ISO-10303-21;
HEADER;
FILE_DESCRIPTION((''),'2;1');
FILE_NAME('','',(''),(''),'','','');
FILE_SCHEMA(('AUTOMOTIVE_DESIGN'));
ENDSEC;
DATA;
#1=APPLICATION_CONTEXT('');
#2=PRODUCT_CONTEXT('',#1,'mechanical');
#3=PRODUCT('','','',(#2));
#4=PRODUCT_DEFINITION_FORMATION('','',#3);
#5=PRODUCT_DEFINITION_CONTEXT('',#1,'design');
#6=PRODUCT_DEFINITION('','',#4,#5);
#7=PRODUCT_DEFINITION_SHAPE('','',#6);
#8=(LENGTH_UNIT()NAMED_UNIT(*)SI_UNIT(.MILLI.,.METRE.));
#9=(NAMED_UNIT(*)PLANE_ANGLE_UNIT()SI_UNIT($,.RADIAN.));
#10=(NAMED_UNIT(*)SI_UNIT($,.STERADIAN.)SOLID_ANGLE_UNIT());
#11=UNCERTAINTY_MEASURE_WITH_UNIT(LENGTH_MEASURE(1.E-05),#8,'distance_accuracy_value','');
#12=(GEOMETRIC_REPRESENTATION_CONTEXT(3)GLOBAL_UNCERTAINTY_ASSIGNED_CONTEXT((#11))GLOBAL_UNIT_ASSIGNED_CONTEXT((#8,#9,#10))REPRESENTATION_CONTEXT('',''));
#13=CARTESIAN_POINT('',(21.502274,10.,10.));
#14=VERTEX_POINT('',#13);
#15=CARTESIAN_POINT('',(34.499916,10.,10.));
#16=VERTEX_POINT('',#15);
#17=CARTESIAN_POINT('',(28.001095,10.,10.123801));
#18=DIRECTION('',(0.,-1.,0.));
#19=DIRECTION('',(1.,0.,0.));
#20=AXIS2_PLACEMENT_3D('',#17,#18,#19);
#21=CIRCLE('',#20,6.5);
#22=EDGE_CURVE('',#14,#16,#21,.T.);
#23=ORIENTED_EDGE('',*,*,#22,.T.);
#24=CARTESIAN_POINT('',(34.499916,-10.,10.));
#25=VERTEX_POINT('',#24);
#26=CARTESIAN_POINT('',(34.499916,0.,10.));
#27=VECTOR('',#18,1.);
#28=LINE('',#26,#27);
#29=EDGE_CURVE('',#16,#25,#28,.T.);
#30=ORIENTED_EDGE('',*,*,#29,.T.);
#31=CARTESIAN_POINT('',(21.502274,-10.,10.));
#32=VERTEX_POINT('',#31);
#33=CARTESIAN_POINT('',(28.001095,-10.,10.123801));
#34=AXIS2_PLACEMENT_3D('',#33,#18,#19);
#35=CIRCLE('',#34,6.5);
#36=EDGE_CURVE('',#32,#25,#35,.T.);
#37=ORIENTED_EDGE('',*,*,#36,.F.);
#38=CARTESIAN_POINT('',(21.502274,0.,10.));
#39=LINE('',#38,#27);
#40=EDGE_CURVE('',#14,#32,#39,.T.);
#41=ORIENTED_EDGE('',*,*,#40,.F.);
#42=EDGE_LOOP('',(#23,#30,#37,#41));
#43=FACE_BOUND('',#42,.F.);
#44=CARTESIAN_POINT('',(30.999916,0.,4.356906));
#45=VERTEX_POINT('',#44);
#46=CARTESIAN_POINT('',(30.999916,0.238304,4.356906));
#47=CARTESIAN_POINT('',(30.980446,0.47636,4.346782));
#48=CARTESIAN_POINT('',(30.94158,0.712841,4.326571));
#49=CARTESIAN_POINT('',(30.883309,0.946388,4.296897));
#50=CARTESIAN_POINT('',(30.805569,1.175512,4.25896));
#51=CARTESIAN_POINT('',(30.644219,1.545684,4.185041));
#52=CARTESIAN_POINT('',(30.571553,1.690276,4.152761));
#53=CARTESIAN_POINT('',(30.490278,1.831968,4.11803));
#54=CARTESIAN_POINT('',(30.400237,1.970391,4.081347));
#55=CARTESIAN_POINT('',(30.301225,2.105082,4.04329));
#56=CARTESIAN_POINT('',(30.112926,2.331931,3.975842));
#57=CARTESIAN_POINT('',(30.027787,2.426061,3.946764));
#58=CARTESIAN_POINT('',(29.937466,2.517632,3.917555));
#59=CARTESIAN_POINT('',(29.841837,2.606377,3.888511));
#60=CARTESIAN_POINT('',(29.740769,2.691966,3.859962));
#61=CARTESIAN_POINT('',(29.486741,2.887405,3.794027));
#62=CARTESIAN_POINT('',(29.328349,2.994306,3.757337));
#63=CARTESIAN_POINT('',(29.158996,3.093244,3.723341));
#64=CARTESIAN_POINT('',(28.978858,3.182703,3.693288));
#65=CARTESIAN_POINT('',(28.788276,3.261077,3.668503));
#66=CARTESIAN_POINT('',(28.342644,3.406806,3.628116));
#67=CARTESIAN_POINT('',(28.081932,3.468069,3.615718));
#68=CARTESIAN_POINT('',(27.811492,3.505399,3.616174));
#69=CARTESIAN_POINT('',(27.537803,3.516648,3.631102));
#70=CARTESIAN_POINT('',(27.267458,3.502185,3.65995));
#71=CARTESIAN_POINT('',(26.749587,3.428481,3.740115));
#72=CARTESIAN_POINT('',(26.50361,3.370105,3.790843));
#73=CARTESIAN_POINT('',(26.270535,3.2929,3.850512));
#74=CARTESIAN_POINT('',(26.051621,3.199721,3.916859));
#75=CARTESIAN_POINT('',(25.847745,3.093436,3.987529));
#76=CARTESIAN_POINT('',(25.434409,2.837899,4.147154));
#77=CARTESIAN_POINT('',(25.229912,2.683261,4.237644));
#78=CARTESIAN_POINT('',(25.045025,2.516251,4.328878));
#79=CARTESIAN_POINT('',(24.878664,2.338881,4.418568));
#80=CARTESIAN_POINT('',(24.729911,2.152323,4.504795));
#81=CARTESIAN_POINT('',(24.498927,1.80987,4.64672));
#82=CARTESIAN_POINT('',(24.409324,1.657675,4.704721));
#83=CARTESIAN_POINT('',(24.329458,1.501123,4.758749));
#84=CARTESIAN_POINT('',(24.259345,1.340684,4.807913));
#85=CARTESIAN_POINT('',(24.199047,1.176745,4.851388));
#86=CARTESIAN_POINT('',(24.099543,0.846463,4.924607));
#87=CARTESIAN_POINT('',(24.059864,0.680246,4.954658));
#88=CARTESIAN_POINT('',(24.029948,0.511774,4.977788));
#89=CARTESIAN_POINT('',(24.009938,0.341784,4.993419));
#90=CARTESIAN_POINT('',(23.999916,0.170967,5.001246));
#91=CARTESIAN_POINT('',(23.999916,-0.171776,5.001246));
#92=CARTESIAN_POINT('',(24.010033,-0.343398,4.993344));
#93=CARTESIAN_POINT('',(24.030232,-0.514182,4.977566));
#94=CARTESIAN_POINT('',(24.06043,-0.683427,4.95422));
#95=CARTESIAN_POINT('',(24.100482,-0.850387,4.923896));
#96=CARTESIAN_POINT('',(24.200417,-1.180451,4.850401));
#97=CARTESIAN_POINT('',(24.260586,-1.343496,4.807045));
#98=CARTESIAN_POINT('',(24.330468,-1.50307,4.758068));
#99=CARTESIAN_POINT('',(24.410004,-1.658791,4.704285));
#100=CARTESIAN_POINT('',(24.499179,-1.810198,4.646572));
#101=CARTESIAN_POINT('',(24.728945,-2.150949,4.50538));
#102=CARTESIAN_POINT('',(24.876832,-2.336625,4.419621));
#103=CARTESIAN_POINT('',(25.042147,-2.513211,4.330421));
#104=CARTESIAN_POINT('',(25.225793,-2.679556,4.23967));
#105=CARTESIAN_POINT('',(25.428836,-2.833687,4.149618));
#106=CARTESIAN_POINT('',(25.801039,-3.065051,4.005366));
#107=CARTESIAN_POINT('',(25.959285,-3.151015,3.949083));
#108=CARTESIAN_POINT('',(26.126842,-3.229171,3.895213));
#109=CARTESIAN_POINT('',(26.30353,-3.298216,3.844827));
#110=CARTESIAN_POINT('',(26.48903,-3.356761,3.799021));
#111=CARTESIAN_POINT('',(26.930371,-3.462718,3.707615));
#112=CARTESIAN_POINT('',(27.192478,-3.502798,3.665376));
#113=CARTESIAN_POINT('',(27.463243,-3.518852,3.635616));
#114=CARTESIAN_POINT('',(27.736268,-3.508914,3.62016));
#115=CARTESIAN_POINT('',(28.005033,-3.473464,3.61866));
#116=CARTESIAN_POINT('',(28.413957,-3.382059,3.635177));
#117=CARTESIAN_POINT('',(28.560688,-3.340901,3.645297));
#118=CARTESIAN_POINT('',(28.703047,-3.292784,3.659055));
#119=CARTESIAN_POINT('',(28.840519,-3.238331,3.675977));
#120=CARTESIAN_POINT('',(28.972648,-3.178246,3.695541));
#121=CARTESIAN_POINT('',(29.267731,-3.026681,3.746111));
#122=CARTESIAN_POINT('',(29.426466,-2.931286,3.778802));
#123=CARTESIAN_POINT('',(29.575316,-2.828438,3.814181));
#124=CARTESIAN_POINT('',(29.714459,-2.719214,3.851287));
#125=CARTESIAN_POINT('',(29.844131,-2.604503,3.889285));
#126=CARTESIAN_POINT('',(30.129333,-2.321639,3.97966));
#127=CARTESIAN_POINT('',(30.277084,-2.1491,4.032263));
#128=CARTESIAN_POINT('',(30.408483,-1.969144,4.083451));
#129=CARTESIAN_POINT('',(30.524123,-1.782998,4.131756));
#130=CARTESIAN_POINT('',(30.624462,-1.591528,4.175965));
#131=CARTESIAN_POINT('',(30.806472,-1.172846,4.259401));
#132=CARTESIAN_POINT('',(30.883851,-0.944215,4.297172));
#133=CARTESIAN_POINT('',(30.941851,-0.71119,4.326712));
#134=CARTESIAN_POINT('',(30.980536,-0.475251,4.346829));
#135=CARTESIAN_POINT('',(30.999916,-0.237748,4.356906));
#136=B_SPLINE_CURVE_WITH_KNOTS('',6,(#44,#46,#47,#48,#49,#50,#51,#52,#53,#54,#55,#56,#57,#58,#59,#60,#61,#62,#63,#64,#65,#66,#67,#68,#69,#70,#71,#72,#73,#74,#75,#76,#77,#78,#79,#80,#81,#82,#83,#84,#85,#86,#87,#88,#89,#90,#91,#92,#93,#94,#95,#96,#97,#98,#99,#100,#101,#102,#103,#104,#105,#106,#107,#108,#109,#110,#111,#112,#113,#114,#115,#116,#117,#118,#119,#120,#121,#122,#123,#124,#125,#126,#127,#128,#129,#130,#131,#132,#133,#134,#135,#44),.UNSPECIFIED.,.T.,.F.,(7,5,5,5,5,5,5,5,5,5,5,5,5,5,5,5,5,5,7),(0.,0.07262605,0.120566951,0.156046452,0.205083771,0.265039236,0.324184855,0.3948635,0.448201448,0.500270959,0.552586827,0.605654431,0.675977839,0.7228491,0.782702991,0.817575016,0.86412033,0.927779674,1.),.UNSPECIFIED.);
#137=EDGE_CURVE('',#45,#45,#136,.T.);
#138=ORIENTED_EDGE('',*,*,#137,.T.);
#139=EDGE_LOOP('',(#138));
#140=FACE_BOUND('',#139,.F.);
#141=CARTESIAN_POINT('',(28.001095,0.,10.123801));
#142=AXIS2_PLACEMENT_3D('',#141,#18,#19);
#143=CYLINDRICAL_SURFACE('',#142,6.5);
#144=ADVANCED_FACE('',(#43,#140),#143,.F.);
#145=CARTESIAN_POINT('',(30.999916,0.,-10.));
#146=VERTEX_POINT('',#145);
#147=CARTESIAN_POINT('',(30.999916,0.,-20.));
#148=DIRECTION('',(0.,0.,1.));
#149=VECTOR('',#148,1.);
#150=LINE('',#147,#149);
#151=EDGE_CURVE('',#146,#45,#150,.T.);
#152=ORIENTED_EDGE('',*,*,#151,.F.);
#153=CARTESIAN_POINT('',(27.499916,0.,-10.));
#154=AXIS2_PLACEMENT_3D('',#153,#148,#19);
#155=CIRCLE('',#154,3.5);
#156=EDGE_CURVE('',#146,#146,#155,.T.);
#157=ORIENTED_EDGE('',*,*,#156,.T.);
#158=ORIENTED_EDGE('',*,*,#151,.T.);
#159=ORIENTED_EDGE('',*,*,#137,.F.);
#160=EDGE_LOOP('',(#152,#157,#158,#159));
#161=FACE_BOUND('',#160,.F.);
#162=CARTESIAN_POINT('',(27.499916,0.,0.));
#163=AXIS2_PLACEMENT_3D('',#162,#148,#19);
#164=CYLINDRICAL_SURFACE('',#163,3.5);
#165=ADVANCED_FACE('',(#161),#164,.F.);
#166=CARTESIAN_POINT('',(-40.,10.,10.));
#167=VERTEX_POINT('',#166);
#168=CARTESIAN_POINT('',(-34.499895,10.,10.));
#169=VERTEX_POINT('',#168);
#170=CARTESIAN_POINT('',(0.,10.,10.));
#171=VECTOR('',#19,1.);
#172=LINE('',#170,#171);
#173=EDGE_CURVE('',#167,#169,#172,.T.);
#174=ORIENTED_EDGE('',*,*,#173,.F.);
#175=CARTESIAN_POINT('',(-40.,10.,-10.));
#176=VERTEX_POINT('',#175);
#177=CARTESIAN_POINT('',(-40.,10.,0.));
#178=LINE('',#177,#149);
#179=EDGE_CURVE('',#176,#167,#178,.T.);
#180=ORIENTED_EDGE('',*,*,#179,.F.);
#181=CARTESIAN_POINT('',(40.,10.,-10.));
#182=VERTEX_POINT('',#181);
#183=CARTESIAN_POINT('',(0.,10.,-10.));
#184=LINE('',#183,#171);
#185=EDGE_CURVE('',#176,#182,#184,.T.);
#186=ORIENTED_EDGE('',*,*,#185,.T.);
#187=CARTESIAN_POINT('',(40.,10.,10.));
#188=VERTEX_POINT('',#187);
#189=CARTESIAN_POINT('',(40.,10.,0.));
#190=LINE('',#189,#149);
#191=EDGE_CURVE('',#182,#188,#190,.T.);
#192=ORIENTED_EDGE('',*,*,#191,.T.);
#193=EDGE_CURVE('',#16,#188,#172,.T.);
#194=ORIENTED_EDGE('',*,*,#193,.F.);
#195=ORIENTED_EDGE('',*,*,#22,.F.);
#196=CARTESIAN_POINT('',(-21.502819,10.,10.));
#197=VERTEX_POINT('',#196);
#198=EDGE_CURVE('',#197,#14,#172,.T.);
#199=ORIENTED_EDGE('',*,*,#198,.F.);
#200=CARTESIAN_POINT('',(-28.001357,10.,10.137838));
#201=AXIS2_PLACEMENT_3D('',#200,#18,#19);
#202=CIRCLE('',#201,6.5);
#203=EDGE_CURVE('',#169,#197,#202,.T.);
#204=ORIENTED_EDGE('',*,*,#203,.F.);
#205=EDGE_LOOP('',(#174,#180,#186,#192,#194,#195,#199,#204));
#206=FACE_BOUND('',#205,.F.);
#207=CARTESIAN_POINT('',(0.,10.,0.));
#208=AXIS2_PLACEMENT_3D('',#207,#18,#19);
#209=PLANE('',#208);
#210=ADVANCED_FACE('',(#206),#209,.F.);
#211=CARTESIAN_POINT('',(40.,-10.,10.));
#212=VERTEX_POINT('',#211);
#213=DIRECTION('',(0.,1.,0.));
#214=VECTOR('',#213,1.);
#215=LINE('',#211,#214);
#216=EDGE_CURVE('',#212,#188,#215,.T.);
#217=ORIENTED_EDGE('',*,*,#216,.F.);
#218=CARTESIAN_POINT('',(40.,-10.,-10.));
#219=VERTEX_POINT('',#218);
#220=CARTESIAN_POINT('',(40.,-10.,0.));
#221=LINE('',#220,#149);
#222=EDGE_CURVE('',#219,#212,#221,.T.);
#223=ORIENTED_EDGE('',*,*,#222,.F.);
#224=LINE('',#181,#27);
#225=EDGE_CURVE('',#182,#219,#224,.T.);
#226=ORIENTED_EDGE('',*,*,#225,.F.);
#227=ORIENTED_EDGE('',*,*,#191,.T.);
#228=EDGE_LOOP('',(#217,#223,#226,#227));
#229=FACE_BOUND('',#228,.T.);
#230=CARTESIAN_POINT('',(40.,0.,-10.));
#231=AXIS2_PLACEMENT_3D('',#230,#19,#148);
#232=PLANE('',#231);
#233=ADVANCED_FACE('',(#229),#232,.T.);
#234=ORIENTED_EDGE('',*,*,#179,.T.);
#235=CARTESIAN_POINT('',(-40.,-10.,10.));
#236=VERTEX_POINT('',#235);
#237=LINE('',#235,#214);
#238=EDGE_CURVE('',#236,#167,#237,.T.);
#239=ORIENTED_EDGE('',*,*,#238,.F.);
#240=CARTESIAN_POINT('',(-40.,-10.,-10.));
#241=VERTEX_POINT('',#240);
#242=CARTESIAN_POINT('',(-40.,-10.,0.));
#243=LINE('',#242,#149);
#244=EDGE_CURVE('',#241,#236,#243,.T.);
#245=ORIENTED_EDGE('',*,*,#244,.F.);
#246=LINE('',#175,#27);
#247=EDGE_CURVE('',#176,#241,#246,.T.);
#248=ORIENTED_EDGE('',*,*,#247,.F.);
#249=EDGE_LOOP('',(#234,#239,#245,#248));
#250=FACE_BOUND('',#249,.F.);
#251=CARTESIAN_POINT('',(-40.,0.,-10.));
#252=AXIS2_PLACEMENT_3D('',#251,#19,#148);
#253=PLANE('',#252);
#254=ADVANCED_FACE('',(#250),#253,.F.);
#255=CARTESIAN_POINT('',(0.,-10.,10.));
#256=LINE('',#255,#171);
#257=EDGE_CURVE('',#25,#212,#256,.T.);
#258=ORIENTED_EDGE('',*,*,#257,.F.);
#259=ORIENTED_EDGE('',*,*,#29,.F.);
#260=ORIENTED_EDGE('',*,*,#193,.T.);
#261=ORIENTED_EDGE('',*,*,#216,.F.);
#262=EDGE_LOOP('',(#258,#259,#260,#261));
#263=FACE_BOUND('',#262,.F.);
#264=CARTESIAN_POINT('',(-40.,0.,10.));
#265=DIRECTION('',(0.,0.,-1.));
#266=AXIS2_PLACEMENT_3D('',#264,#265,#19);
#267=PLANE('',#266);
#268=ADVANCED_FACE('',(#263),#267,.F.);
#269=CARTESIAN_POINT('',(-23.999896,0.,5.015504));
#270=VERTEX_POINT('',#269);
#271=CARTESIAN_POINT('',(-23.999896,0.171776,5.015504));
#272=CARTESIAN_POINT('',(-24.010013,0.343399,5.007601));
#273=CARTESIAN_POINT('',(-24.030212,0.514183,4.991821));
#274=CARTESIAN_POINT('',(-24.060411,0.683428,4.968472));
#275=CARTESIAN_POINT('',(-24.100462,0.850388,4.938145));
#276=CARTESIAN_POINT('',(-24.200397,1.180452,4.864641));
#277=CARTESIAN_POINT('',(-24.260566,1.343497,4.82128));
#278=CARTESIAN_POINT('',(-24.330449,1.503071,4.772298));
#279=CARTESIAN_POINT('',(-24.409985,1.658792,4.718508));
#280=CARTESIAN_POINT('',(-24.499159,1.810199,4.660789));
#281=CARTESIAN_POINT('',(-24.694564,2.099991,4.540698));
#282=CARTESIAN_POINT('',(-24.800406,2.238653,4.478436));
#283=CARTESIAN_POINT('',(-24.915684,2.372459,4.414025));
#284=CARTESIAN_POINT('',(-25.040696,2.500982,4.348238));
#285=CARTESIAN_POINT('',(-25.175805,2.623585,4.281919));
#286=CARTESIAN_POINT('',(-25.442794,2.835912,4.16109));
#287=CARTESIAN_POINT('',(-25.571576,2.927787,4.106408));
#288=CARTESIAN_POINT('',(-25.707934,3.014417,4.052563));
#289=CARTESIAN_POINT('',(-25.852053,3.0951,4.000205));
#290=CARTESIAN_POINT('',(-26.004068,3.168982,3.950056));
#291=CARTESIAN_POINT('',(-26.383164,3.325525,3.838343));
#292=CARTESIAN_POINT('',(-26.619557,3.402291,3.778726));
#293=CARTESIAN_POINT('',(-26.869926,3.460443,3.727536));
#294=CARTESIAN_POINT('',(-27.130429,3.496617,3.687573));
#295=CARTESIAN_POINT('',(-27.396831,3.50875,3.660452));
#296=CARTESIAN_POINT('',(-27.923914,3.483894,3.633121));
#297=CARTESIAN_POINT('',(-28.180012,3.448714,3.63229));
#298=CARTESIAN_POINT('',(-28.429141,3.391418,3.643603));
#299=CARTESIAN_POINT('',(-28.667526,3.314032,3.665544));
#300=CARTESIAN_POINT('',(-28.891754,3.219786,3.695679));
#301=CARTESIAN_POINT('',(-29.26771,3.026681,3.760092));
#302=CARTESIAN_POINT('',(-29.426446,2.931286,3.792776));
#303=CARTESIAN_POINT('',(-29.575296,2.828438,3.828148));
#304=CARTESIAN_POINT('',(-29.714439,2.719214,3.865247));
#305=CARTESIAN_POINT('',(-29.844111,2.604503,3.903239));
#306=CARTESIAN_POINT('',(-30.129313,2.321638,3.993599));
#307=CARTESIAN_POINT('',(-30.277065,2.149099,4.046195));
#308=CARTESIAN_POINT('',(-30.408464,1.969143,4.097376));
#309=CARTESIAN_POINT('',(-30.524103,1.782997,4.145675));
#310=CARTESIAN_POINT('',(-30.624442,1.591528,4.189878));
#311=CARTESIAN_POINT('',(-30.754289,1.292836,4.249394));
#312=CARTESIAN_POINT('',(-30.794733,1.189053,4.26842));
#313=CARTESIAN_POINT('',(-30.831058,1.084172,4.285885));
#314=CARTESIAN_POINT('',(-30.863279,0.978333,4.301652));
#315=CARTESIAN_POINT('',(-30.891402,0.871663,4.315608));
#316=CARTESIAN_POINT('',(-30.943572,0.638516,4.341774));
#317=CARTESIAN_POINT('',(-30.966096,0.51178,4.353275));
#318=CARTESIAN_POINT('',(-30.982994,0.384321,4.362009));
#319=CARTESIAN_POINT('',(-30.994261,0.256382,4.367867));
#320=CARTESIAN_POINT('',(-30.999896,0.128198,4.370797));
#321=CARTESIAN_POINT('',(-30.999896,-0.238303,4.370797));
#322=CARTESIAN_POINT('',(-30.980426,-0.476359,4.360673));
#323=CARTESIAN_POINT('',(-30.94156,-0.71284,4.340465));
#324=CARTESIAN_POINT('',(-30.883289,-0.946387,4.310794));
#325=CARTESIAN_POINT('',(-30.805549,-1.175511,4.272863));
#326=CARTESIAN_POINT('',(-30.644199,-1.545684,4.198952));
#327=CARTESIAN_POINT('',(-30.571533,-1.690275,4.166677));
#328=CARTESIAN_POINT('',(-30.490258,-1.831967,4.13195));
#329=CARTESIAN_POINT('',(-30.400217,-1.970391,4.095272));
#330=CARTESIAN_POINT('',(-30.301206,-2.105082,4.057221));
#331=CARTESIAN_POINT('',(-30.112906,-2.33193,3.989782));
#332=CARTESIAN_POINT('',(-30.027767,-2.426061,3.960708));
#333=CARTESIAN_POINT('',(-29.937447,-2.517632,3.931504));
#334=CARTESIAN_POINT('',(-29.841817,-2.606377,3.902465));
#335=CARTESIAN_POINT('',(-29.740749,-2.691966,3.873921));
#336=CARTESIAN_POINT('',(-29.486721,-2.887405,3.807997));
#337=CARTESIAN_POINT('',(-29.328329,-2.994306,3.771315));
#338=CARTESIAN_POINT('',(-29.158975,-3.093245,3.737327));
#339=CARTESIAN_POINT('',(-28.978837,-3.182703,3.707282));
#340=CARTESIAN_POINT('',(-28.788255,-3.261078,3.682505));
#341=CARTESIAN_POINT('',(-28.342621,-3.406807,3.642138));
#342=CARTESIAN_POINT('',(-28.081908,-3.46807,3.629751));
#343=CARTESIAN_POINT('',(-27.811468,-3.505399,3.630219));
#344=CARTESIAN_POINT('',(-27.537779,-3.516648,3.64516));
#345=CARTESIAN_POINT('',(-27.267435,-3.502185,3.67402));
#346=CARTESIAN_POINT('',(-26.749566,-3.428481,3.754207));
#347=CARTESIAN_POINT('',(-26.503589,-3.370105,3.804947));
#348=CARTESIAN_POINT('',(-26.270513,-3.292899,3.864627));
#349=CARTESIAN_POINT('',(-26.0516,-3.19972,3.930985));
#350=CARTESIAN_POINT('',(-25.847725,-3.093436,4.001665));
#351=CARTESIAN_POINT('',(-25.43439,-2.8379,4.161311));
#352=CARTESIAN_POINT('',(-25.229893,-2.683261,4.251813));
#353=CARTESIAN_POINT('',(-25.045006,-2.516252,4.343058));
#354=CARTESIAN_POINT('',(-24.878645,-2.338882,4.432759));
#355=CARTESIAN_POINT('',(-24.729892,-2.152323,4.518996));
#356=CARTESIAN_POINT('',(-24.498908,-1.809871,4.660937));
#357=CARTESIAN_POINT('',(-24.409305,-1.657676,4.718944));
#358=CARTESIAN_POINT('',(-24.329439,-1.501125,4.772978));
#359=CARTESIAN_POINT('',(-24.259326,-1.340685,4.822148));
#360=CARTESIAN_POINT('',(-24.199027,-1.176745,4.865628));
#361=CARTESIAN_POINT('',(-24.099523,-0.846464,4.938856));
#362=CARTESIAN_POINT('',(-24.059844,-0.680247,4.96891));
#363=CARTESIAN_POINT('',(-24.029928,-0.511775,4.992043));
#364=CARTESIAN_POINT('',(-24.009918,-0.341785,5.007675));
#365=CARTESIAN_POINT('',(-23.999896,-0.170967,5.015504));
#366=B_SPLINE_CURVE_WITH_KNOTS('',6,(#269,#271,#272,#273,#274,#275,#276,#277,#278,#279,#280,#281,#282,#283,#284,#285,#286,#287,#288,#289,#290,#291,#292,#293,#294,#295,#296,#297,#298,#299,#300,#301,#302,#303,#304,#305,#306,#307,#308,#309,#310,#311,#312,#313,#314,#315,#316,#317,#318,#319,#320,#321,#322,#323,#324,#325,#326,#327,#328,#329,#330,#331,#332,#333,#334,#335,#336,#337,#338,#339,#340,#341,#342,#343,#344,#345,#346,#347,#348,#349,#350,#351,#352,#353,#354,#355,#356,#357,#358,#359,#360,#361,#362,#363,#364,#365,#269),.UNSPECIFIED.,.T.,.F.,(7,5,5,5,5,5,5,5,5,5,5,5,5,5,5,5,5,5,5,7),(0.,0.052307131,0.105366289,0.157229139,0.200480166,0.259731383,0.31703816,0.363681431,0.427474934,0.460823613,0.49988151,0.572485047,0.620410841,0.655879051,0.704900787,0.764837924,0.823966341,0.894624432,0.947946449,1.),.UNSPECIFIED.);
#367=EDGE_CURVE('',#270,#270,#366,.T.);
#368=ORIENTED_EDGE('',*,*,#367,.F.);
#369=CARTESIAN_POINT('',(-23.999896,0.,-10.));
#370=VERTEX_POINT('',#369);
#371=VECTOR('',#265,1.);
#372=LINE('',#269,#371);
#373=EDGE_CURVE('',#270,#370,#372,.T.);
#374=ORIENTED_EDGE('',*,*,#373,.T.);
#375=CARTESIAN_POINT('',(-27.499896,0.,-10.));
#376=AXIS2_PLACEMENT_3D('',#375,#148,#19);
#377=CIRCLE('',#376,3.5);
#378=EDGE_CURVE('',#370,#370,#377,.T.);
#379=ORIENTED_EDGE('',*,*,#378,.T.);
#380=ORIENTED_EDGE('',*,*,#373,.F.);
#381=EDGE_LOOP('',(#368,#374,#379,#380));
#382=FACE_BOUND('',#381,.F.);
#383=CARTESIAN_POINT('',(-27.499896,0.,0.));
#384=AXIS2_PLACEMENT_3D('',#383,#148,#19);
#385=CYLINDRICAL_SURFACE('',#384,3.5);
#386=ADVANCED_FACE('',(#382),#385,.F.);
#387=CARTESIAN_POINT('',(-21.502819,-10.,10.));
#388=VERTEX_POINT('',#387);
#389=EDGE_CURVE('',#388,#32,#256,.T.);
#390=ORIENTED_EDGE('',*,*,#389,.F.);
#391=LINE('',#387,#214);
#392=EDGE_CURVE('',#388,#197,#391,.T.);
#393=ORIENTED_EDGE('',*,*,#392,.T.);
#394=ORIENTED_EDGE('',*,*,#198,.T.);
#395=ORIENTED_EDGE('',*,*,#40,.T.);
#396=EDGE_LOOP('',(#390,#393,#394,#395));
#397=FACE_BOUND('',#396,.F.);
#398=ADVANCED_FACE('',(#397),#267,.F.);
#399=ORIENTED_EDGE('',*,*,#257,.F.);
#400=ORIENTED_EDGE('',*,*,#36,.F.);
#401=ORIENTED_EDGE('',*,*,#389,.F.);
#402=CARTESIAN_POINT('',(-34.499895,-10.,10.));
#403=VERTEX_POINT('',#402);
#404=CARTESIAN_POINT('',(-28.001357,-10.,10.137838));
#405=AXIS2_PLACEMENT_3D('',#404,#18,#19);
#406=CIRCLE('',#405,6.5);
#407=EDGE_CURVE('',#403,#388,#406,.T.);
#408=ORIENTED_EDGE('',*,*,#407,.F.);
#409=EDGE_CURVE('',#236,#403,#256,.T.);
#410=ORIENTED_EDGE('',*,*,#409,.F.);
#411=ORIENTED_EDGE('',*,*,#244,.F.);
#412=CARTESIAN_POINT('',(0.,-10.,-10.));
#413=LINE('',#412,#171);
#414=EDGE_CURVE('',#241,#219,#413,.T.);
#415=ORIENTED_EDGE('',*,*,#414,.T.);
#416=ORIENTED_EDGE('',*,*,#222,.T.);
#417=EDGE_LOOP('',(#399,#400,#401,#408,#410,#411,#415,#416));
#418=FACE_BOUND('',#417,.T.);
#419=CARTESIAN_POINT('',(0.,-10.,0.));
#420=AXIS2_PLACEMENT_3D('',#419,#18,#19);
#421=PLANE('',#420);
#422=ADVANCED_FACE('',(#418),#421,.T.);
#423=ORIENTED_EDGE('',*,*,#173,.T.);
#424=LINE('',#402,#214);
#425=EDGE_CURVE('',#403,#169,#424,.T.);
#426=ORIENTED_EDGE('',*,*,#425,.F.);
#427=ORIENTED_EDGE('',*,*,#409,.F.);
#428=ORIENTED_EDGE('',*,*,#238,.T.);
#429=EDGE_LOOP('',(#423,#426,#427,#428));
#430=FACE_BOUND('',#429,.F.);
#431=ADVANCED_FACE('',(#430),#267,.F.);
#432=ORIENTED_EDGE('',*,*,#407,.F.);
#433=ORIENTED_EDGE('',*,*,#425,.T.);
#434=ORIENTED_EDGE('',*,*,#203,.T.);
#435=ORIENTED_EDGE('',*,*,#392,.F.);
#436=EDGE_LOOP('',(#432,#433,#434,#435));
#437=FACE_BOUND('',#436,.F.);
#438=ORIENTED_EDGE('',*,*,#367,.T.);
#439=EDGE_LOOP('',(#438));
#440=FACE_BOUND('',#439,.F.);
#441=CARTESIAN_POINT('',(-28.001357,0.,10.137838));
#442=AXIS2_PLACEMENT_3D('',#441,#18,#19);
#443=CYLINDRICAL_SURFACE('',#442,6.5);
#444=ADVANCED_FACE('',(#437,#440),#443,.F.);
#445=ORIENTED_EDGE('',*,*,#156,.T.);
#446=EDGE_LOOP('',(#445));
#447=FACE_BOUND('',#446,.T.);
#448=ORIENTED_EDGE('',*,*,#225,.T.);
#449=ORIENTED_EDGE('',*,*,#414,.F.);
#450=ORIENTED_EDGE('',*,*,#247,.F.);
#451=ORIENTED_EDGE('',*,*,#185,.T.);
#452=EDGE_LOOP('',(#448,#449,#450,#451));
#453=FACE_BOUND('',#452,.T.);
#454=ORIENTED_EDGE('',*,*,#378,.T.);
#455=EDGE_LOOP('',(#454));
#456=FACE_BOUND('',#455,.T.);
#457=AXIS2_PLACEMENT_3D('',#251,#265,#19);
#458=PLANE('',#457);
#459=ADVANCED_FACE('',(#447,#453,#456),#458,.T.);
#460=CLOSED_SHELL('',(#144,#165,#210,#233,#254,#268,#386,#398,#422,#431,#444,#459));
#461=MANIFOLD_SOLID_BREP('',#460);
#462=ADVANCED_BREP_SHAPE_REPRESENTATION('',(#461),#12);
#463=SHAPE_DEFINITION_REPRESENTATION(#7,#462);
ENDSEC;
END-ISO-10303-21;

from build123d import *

# Parameters (mm, degrees)
F0_W     = 80
F0_H     = 20
F2_DEPTH = 10
F1_R     = 6.5
F3_DEPTH = 10
F4_R     = 3.5
F5_DEPTH = 20


with BuildPart() as f2:
    # F0 (on Front) → F2 (new body, symmetric)
    with BuildSketch(Plane.XZ):
        Rectangle(F0_W, F0_H)
    extrude(amount=F2_DEPTH, both=True)

    # F1 (on Front) → F3 (cut, symmetric)
    with BuildSketch(Plane.XZ):
        with Locations((-28.001357, 10.137838)):
            Circle(F1_R)
        with Locations((28.001095, 10.123801)):
            Circle(F1_R)
    extrude(amount=F3_DEPTH, both=True, mode=Mode.SUBTRACT)

    # F4 (on Top) → F5 (cut, symmetric)
    with BuildSketch(Plane.XY):
        with Locations((-27.499896, 0)):
            Circle(F4_R)
        with Locations((27.499916, 0)):
            Circle(F4_R)
    extrude(amount=F5_DEPTH, both=True, mode=Mode.SUBTRACT)


solid = f2.part
